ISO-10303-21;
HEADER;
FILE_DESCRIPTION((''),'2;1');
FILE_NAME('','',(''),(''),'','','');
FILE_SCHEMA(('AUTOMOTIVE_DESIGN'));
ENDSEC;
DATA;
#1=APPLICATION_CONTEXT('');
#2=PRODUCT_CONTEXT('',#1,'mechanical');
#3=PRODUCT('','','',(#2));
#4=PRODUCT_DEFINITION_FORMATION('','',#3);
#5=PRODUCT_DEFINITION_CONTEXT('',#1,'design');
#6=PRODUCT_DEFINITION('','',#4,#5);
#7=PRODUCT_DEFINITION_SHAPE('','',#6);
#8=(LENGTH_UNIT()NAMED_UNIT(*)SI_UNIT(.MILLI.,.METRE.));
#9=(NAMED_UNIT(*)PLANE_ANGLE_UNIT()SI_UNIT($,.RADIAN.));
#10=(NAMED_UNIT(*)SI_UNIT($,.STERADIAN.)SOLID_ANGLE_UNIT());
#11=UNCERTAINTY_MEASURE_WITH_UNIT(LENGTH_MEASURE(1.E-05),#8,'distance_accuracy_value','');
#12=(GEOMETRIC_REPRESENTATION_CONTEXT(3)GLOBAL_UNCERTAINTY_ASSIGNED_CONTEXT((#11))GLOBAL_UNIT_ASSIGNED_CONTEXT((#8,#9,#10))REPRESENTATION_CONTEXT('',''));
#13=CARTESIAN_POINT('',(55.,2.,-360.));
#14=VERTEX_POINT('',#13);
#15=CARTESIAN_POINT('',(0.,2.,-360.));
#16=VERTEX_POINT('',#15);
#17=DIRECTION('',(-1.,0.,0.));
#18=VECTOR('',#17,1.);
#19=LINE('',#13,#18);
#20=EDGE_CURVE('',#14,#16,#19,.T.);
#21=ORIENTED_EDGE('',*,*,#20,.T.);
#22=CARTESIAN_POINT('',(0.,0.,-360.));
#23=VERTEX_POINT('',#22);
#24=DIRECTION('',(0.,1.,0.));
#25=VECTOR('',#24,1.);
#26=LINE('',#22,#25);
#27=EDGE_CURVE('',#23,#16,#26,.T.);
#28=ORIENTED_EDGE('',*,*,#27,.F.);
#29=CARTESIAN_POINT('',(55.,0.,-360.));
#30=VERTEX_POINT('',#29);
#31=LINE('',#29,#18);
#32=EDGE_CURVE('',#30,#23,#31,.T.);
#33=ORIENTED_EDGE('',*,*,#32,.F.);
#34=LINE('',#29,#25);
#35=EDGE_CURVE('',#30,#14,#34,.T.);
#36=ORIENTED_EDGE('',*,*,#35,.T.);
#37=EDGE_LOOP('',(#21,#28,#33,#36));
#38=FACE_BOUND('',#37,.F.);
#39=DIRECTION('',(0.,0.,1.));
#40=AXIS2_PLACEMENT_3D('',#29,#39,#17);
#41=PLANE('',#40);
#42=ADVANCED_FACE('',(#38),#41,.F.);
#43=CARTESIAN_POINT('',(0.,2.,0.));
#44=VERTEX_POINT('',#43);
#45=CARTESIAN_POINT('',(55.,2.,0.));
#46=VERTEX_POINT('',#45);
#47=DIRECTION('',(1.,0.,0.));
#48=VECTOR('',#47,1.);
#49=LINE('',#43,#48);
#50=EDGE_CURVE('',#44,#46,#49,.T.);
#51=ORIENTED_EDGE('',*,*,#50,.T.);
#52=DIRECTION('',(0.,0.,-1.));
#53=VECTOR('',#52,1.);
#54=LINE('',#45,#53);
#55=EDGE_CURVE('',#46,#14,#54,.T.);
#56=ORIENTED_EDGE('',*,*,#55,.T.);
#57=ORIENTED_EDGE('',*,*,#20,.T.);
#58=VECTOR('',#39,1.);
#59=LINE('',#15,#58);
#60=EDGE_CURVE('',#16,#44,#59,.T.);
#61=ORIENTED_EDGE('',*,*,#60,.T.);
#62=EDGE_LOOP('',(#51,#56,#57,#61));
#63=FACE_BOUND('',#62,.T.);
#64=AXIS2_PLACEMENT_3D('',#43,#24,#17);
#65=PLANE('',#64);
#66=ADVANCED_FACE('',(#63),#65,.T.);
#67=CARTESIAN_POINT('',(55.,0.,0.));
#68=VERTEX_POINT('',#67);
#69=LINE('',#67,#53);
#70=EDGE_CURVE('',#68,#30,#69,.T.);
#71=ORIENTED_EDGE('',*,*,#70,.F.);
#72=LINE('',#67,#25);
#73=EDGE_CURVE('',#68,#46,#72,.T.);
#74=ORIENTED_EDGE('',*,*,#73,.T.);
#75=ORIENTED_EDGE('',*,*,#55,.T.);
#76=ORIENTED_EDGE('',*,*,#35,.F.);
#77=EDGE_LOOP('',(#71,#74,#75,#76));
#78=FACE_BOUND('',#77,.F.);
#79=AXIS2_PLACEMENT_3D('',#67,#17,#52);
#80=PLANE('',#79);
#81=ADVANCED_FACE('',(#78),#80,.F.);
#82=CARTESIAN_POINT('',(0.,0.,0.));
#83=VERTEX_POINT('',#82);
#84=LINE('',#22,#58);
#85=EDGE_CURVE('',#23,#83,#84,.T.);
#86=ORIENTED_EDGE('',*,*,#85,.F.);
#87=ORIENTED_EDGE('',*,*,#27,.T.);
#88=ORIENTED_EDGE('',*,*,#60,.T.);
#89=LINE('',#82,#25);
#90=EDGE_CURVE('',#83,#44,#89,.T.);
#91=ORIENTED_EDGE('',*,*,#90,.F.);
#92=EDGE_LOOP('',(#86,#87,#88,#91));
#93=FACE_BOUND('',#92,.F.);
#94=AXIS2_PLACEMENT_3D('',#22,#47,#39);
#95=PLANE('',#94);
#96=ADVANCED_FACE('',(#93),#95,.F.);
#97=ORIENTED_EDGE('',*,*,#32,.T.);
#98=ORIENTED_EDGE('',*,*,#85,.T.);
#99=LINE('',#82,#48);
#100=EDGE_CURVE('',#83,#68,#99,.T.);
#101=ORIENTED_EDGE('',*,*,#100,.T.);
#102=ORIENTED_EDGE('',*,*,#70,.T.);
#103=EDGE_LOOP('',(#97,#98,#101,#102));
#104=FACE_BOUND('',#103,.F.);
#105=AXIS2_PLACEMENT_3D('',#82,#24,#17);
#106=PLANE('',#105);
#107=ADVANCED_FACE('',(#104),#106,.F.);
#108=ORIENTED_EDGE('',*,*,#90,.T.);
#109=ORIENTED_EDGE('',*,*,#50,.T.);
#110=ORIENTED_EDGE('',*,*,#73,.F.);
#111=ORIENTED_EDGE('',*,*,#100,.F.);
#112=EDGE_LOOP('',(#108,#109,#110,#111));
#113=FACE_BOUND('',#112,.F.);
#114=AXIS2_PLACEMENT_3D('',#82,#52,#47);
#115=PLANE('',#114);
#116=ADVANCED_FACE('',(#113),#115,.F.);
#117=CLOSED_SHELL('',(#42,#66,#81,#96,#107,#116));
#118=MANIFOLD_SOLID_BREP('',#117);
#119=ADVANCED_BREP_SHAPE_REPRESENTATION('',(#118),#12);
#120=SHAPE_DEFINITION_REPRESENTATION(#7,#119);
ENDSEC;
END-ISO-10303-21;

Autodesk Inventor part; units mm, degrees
ref_plane "YZ Plane" through (0, 0, 0) normal (1, 0, 0) x (0, 1, 0)
ref_plane "XZ Plane" through (0, 0, 0) normal (0, 1, 0) x (-1, 0, 0)
ref_plane "XY Plane" through (0, 0, 0) normal (0, 0, 1) x (1, 0, 0)
sketch "スケッチ1" plane through (0, 0, 0) normal (0, 1, 0) x (-1, 0, 0)
  line L0 (0, 0) -> (-55, 0)
  line L1 (-55, 0) -> (-55, -360)
  line L2 (-55, -360) -> (0, -360)
  line L3 (0, -360) -> (0, 0)
  dimension "d0" = 360
  dimension "d1" = 55
extrude "押し出し1" add sketch "スケッチ1" along normal blind 2
properties part number "前上部カバー"
